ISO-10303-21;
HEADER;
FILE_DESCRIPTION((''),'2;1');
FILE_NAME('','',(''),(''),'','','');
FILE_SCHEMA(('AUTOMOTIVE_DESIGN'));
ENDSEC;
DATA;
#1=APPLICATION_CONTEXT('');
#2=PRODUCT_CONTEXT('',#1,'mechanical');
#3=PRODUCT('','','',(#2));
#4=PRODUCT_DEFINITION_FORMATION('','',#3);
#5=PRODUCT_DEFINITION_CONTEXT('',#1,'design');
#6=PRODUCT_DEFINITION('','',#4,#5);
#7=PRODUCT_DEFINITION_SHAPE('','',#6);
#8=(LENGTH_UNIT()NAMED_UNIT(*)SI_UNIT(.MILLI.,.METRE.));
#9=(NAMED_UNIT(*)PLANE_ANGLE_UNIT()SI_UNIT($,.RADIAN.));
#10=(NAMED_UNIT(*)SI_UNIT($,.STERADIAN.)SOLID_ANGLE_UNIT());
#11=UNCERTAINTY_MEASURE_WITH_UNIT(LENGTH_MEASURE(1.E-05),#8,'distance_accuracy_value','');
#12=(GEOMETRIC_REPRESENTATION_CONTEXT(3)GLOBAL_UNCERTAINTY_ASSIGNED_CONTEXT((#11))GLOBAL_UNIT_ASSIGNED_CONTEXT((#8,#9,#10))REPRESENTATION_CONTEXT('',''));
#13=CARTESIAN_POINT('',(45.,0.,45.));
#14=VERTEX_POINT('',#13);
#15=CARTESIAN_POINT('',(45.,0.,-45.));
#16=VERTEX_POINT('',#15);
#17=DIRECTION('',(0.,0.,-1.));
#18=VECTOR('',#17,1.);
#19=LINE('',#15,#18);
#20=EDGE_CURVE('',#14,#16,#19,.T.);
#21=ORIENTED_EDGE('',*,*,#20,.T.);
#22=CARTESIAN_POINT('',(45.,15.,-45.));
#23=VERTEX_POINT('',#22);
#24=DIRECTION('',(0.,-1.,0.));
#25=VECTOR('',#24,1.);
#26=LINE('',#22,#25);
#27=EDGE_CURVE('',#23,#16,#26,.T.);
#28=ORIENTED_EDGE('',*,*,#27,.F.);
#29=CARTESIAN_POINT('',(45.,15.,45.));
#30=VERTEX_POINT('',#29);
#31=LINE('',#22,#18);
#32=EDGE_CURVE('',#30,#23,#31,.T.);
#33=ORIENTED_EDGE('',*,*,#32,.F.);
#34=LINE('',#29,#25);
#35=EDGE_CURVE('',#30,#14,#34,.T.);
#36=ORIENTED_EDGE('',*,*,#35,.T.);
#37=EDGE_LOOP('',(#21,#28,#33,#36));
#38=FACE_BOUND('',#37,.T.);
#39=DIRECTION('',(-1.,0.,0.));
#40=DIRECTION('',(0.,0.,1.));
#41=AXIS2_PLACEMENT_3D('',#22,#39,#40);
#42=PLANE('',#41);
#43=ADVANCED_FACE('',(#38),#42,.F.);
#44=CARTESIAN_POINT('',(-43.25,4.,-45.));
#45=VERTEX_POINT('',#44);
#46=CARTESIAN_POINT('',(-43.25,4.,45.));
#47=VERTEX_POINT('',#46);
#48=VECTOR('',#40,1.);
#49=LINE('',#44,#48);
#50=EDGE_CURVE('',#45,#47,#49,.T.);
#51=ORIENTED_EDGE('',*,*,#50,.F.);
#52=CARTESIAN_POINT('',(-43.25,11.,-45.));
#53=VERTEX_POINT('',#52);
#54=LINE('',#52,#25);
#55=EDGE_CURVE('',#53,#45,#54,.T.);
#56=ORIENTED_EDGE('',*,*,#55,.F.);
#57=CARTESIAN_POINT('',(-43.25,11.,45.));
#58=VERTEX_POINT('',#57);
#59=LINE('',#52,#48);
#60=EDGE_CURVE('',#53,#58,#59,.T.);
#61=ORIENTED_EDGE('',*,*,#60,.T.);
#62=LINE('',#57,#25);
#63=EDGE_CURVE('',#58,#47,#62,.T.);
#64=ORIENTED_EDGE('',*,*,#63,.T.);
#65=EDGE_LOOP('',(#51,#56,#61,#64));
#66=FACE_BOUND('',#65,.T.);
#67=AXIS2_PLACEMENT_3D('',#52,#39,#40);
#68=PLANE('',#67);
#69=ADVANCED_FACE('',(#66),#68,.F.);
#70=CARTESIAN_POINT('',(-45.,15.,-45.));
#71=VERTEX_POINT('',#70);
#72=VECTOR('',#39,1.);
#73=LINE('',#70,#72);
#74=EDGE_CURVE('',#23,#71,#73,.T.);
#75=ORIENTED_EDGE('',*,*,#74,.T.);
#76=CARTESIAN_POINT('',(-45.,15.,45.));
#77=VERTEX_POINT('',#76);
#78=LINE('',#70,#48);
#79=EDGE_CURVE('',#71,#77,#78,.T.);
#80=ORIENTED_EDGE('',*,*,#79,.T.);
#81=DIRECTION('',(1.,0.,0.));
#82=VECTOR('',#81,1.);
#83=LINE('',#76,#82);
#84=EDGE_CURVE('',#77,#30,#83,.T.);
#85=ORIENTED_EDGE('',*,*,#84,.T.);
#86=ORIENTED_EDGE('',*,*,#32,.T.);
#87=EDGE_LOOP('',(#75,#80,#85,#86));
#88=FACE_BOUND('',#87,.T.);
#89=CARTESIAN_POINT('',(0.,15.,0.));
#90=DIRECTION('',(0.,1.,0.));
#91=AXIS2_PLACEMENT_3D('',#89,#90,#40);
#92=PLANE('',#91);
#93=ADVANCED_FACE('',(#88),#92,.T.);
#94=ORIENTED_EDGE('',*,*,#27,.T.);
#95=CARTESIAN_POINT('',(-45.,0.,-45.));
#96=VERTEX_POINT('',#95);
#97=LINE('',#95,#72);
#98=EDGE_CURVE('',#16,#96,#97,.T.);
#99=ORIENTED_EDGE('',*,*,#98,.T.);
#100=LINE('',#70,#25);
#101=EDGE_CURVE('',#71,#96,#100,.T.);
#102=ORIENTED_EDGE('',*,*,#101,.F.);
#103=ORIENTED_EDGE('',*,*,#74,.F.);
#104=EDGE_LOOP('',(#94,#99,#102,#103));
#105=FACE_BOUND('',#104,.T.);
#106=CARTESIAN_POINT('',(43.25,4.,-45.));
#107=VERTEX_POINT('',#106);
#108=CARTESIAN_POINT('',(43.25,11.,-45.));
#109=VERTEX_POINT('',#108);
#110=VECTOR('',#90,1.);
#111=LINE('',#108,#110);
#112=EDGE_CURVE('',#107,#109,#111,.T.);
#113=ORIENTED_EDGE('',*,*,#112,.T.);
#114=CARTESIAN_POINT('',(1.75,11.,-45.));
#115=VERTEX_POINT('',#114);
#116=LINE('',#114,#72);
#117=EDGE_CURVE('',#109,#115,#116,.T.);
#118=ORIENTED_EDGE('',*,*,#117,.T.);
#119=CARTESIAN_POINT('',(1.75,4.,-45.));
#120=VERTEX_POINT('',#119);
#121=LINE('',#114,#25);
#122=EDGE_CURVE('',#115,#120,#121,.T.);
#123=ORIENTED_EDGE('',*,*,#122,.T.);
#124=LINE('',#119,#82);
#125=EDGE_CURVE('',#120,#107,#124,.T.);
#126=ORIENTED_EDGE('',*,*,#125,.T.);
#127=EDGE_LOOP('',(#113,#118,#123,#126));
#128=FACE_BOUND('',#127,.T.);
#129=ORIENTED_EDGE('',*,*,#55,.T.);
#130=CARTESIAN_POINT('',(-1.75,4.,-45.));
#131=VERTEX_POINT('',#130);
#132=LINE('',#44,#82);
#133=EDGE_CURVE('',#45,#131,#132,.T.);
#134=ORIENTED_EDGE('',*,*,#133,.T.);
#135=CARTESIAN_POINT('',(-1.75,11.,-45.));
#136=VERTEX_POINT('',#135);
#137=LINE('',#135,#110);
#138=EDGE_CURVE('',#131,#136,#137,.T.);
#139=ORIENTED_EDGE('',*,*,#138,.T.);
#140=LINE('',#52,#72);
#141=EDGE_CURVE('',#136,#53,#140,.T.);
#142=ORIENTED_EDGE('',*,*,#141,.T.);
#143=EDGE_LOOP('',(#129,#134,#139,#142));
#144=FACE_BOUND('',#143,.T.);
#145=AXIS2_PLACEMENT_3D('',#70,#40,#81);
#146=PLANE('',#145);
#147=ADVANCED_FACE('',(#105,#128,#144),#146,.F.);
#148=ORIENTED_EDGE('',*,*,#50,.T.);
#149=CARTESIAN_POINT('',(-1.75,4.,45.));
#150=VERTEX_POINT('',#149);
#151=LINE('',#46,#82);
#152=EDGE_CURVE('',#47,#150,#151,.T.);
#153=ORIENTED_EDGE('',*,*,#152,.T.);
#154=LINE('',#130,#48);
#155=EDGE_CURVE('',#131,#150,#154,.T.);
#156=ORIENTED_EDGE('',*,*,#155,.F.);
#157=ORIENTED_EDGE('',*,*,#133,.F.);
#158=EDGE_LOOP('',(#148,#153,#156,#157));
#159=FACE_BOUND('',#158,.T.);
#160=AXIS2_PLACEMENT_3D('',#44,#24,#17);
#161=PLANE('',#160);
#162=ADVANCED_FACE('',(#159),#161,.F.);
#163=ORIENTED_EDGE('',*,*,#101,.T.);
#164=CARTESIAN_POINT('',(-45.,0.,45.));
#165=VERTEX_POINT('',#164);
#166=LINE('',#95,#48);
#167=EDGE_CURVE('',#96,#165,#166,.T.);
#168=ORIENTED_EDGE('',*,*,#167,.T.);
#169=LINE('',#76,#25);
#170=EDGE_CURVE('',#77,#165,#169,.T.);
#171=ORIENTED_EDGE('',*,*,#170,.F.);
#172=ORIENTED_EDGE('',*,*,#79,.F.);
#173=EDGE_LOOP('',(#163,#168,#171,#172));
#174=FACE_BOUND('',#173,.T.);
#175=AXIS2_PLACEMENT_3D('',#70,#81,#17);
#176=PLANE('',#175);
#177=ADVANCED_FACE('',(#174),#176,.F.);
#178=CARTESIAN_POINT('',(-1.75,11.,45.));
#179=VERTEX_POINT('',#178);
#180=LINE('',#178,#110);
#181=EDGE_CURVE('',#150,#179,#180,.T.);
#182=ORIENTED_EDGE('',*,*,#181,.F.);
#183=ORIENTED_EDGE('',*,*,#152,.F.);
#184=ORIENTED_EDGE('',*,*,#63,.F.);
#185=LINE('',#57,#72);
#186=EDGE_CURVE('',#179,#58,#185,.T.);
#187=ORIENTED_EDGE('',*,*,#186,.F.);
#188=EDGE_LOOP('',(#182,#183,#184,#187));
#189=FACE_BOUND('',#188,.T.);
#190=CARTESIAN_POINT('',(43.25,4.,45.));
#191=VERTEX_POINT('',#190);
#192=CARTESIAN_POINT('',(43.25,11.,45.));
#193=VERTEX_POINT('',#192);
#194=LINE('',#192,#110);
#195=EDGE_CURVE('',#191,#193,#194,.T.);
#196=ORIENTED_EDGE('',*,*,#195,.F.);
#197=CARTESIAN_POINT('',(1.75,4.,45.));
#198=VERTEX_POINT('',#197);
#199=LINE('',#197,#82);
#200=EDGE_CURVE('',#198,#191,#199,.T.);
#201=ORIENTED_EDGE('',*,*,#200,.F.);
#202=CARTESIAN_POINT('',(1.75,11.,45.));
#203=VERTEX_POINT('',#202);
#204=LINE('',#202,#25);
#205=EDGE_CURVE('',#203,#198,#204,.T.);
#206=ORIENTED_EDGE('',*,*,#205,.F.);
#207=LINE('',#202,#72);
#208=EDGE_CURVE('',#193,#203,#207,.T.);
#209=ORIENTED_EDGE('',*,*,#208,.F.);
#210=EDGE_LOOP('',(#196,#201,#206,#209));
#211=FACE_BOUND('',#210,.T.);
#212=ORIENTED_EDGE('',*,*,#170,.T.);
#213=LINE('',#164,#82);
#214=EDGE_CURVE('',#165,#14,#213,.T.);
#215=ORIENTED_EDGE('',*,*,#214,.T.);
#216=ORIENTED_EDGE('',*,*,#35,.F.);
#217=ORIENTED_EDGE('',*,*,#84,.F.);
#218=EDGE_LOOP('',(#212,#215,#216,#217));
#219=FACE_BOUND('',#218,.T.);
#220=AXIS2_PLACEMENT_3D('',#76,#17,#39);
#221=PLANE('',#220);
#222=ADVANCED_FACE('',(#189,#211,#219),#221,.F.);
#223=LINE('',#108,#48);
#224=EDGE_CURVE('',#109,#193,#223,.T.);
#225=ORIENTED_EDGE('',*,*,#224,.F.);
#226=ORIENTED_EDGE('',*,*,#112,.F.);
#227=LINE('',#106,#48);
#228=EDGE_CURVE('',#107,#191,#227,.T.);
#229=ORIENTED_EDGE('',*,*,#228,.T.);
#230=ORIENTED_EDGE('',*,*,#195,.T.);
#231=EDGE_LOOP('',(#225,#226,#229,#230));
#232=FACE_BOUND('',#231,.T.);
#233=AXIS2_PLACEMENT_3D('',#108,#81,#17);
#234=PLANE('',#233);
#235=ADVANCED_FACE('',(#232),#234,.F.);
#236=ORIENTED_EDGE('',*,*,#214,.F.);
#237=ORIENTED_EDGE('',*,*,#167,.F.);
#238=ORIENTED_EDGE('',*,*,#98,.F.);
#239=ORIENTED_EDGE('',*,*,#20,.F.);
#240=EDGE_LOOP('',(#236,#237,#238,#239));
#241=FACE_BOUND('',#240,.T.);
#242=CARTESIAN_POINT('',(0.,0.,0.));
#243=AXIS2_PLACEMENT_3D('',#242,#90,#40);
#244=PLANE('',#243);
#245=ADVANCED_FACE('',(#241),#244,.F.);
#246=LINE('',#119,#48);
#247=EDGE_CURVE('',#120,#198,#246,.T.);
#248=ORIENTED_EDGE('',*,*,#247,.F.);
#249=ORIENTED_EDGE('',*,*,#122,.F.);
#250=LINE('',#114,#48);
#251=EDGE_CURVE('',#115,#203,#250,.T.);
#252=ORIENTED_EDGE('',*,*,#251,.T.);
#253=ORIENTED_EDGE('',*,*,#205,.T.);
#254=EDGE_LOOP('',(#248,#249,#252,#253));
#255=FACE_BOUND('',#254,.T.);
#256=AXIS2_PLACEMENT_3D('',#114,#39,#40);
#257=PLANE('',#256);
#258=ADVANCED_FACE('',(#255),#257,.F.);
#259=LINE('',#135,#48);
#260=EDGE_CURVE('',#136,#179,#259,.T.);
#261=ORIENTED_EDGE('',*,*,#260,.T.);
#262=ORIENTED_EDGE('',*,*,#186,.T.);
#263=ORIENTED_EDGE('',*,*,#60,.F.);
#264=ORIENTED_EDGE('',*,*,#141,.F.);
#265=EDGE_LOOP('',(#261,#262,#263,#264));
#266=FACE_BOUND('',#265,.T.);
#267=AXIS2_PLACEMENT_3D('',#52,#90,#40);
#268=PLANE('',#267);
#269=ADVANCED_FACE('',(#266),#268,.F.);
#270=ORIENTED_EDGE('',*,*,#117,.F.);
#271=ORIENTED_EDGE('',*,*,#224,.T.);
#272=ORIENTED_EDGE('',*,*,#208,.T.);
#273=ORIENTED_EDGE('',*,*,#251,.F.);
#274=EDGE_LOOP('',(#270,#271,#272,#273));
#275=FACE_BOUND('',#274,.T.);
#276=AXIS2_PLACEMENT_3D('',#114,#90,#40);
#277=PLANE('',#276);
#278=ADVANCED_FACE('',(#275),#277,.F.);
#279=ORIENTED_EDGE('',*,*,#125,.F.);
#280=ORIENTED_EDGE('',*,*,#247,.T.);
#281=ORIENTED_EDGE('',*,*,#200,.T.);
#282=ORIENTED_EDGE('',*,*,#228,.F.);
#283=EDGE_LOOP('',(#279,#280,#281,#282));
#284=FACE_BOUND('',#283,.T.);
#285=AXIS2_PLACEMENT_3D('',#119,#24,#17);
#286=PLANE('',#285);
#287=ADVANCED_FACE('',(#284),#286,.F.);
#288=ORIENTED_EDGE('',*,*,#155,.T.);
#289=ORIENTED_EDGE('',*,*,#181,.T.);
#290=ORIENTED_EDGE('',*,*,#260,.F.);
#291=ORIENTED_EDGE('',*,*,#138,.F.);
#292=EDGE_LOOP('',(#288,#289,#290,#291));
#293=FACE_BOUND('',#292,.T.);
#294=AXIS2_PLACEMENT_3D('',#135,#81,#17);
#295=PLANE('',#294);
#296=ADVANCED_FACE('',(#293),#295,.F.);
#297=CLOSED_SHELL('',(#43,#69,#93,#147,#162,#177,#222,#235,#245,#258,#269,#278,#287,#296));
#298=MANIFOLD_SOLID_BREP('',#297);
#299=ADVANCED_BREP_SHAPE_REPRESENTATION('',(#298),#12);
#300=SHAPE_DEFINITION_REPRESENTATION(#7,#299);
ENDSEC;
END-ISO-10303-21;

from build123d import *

# Parameters (mm, degrees)
SKETCH1_W           = 90
SKETCH1_H           = 90
BOSS_EXTRUDE1_DEPTH = 15
SKETCH2_W           = 41.5
SKETCH2_H           = 7
CUT_EXTRUDE1_DEPTH  = 90


with BuildPart() as part:
    # Sketch1 → Boss-Extrude1 (new body)
    with BuildSketch(Plane(origin=(0, 0, 0), x_dir=(1, 0, 0), z_dir=(0, 1, 0))):
        Rectangle(SKETCH1_W, SKETCH1_H)
    extrude(amount=BOSS_EXTRUDE1_DEPTH)

    # Sketch2 → Cut-Extrude1 (cut)
    with BuildSketch(Plane.XY.offset(45)):
        with Locations((-22.5, 7.5)):
            Rectangle(SKETCH2_W, SKETCH2_H)
        with Locations((22.5, 7.5)):
            Rectangle(SKETCH2_W, SKETCH2_H)
    extrude(amount=-CUT_EXTRUDE1_DEPTH, mode=Mode.SUBTRACT)


solid = part.part
